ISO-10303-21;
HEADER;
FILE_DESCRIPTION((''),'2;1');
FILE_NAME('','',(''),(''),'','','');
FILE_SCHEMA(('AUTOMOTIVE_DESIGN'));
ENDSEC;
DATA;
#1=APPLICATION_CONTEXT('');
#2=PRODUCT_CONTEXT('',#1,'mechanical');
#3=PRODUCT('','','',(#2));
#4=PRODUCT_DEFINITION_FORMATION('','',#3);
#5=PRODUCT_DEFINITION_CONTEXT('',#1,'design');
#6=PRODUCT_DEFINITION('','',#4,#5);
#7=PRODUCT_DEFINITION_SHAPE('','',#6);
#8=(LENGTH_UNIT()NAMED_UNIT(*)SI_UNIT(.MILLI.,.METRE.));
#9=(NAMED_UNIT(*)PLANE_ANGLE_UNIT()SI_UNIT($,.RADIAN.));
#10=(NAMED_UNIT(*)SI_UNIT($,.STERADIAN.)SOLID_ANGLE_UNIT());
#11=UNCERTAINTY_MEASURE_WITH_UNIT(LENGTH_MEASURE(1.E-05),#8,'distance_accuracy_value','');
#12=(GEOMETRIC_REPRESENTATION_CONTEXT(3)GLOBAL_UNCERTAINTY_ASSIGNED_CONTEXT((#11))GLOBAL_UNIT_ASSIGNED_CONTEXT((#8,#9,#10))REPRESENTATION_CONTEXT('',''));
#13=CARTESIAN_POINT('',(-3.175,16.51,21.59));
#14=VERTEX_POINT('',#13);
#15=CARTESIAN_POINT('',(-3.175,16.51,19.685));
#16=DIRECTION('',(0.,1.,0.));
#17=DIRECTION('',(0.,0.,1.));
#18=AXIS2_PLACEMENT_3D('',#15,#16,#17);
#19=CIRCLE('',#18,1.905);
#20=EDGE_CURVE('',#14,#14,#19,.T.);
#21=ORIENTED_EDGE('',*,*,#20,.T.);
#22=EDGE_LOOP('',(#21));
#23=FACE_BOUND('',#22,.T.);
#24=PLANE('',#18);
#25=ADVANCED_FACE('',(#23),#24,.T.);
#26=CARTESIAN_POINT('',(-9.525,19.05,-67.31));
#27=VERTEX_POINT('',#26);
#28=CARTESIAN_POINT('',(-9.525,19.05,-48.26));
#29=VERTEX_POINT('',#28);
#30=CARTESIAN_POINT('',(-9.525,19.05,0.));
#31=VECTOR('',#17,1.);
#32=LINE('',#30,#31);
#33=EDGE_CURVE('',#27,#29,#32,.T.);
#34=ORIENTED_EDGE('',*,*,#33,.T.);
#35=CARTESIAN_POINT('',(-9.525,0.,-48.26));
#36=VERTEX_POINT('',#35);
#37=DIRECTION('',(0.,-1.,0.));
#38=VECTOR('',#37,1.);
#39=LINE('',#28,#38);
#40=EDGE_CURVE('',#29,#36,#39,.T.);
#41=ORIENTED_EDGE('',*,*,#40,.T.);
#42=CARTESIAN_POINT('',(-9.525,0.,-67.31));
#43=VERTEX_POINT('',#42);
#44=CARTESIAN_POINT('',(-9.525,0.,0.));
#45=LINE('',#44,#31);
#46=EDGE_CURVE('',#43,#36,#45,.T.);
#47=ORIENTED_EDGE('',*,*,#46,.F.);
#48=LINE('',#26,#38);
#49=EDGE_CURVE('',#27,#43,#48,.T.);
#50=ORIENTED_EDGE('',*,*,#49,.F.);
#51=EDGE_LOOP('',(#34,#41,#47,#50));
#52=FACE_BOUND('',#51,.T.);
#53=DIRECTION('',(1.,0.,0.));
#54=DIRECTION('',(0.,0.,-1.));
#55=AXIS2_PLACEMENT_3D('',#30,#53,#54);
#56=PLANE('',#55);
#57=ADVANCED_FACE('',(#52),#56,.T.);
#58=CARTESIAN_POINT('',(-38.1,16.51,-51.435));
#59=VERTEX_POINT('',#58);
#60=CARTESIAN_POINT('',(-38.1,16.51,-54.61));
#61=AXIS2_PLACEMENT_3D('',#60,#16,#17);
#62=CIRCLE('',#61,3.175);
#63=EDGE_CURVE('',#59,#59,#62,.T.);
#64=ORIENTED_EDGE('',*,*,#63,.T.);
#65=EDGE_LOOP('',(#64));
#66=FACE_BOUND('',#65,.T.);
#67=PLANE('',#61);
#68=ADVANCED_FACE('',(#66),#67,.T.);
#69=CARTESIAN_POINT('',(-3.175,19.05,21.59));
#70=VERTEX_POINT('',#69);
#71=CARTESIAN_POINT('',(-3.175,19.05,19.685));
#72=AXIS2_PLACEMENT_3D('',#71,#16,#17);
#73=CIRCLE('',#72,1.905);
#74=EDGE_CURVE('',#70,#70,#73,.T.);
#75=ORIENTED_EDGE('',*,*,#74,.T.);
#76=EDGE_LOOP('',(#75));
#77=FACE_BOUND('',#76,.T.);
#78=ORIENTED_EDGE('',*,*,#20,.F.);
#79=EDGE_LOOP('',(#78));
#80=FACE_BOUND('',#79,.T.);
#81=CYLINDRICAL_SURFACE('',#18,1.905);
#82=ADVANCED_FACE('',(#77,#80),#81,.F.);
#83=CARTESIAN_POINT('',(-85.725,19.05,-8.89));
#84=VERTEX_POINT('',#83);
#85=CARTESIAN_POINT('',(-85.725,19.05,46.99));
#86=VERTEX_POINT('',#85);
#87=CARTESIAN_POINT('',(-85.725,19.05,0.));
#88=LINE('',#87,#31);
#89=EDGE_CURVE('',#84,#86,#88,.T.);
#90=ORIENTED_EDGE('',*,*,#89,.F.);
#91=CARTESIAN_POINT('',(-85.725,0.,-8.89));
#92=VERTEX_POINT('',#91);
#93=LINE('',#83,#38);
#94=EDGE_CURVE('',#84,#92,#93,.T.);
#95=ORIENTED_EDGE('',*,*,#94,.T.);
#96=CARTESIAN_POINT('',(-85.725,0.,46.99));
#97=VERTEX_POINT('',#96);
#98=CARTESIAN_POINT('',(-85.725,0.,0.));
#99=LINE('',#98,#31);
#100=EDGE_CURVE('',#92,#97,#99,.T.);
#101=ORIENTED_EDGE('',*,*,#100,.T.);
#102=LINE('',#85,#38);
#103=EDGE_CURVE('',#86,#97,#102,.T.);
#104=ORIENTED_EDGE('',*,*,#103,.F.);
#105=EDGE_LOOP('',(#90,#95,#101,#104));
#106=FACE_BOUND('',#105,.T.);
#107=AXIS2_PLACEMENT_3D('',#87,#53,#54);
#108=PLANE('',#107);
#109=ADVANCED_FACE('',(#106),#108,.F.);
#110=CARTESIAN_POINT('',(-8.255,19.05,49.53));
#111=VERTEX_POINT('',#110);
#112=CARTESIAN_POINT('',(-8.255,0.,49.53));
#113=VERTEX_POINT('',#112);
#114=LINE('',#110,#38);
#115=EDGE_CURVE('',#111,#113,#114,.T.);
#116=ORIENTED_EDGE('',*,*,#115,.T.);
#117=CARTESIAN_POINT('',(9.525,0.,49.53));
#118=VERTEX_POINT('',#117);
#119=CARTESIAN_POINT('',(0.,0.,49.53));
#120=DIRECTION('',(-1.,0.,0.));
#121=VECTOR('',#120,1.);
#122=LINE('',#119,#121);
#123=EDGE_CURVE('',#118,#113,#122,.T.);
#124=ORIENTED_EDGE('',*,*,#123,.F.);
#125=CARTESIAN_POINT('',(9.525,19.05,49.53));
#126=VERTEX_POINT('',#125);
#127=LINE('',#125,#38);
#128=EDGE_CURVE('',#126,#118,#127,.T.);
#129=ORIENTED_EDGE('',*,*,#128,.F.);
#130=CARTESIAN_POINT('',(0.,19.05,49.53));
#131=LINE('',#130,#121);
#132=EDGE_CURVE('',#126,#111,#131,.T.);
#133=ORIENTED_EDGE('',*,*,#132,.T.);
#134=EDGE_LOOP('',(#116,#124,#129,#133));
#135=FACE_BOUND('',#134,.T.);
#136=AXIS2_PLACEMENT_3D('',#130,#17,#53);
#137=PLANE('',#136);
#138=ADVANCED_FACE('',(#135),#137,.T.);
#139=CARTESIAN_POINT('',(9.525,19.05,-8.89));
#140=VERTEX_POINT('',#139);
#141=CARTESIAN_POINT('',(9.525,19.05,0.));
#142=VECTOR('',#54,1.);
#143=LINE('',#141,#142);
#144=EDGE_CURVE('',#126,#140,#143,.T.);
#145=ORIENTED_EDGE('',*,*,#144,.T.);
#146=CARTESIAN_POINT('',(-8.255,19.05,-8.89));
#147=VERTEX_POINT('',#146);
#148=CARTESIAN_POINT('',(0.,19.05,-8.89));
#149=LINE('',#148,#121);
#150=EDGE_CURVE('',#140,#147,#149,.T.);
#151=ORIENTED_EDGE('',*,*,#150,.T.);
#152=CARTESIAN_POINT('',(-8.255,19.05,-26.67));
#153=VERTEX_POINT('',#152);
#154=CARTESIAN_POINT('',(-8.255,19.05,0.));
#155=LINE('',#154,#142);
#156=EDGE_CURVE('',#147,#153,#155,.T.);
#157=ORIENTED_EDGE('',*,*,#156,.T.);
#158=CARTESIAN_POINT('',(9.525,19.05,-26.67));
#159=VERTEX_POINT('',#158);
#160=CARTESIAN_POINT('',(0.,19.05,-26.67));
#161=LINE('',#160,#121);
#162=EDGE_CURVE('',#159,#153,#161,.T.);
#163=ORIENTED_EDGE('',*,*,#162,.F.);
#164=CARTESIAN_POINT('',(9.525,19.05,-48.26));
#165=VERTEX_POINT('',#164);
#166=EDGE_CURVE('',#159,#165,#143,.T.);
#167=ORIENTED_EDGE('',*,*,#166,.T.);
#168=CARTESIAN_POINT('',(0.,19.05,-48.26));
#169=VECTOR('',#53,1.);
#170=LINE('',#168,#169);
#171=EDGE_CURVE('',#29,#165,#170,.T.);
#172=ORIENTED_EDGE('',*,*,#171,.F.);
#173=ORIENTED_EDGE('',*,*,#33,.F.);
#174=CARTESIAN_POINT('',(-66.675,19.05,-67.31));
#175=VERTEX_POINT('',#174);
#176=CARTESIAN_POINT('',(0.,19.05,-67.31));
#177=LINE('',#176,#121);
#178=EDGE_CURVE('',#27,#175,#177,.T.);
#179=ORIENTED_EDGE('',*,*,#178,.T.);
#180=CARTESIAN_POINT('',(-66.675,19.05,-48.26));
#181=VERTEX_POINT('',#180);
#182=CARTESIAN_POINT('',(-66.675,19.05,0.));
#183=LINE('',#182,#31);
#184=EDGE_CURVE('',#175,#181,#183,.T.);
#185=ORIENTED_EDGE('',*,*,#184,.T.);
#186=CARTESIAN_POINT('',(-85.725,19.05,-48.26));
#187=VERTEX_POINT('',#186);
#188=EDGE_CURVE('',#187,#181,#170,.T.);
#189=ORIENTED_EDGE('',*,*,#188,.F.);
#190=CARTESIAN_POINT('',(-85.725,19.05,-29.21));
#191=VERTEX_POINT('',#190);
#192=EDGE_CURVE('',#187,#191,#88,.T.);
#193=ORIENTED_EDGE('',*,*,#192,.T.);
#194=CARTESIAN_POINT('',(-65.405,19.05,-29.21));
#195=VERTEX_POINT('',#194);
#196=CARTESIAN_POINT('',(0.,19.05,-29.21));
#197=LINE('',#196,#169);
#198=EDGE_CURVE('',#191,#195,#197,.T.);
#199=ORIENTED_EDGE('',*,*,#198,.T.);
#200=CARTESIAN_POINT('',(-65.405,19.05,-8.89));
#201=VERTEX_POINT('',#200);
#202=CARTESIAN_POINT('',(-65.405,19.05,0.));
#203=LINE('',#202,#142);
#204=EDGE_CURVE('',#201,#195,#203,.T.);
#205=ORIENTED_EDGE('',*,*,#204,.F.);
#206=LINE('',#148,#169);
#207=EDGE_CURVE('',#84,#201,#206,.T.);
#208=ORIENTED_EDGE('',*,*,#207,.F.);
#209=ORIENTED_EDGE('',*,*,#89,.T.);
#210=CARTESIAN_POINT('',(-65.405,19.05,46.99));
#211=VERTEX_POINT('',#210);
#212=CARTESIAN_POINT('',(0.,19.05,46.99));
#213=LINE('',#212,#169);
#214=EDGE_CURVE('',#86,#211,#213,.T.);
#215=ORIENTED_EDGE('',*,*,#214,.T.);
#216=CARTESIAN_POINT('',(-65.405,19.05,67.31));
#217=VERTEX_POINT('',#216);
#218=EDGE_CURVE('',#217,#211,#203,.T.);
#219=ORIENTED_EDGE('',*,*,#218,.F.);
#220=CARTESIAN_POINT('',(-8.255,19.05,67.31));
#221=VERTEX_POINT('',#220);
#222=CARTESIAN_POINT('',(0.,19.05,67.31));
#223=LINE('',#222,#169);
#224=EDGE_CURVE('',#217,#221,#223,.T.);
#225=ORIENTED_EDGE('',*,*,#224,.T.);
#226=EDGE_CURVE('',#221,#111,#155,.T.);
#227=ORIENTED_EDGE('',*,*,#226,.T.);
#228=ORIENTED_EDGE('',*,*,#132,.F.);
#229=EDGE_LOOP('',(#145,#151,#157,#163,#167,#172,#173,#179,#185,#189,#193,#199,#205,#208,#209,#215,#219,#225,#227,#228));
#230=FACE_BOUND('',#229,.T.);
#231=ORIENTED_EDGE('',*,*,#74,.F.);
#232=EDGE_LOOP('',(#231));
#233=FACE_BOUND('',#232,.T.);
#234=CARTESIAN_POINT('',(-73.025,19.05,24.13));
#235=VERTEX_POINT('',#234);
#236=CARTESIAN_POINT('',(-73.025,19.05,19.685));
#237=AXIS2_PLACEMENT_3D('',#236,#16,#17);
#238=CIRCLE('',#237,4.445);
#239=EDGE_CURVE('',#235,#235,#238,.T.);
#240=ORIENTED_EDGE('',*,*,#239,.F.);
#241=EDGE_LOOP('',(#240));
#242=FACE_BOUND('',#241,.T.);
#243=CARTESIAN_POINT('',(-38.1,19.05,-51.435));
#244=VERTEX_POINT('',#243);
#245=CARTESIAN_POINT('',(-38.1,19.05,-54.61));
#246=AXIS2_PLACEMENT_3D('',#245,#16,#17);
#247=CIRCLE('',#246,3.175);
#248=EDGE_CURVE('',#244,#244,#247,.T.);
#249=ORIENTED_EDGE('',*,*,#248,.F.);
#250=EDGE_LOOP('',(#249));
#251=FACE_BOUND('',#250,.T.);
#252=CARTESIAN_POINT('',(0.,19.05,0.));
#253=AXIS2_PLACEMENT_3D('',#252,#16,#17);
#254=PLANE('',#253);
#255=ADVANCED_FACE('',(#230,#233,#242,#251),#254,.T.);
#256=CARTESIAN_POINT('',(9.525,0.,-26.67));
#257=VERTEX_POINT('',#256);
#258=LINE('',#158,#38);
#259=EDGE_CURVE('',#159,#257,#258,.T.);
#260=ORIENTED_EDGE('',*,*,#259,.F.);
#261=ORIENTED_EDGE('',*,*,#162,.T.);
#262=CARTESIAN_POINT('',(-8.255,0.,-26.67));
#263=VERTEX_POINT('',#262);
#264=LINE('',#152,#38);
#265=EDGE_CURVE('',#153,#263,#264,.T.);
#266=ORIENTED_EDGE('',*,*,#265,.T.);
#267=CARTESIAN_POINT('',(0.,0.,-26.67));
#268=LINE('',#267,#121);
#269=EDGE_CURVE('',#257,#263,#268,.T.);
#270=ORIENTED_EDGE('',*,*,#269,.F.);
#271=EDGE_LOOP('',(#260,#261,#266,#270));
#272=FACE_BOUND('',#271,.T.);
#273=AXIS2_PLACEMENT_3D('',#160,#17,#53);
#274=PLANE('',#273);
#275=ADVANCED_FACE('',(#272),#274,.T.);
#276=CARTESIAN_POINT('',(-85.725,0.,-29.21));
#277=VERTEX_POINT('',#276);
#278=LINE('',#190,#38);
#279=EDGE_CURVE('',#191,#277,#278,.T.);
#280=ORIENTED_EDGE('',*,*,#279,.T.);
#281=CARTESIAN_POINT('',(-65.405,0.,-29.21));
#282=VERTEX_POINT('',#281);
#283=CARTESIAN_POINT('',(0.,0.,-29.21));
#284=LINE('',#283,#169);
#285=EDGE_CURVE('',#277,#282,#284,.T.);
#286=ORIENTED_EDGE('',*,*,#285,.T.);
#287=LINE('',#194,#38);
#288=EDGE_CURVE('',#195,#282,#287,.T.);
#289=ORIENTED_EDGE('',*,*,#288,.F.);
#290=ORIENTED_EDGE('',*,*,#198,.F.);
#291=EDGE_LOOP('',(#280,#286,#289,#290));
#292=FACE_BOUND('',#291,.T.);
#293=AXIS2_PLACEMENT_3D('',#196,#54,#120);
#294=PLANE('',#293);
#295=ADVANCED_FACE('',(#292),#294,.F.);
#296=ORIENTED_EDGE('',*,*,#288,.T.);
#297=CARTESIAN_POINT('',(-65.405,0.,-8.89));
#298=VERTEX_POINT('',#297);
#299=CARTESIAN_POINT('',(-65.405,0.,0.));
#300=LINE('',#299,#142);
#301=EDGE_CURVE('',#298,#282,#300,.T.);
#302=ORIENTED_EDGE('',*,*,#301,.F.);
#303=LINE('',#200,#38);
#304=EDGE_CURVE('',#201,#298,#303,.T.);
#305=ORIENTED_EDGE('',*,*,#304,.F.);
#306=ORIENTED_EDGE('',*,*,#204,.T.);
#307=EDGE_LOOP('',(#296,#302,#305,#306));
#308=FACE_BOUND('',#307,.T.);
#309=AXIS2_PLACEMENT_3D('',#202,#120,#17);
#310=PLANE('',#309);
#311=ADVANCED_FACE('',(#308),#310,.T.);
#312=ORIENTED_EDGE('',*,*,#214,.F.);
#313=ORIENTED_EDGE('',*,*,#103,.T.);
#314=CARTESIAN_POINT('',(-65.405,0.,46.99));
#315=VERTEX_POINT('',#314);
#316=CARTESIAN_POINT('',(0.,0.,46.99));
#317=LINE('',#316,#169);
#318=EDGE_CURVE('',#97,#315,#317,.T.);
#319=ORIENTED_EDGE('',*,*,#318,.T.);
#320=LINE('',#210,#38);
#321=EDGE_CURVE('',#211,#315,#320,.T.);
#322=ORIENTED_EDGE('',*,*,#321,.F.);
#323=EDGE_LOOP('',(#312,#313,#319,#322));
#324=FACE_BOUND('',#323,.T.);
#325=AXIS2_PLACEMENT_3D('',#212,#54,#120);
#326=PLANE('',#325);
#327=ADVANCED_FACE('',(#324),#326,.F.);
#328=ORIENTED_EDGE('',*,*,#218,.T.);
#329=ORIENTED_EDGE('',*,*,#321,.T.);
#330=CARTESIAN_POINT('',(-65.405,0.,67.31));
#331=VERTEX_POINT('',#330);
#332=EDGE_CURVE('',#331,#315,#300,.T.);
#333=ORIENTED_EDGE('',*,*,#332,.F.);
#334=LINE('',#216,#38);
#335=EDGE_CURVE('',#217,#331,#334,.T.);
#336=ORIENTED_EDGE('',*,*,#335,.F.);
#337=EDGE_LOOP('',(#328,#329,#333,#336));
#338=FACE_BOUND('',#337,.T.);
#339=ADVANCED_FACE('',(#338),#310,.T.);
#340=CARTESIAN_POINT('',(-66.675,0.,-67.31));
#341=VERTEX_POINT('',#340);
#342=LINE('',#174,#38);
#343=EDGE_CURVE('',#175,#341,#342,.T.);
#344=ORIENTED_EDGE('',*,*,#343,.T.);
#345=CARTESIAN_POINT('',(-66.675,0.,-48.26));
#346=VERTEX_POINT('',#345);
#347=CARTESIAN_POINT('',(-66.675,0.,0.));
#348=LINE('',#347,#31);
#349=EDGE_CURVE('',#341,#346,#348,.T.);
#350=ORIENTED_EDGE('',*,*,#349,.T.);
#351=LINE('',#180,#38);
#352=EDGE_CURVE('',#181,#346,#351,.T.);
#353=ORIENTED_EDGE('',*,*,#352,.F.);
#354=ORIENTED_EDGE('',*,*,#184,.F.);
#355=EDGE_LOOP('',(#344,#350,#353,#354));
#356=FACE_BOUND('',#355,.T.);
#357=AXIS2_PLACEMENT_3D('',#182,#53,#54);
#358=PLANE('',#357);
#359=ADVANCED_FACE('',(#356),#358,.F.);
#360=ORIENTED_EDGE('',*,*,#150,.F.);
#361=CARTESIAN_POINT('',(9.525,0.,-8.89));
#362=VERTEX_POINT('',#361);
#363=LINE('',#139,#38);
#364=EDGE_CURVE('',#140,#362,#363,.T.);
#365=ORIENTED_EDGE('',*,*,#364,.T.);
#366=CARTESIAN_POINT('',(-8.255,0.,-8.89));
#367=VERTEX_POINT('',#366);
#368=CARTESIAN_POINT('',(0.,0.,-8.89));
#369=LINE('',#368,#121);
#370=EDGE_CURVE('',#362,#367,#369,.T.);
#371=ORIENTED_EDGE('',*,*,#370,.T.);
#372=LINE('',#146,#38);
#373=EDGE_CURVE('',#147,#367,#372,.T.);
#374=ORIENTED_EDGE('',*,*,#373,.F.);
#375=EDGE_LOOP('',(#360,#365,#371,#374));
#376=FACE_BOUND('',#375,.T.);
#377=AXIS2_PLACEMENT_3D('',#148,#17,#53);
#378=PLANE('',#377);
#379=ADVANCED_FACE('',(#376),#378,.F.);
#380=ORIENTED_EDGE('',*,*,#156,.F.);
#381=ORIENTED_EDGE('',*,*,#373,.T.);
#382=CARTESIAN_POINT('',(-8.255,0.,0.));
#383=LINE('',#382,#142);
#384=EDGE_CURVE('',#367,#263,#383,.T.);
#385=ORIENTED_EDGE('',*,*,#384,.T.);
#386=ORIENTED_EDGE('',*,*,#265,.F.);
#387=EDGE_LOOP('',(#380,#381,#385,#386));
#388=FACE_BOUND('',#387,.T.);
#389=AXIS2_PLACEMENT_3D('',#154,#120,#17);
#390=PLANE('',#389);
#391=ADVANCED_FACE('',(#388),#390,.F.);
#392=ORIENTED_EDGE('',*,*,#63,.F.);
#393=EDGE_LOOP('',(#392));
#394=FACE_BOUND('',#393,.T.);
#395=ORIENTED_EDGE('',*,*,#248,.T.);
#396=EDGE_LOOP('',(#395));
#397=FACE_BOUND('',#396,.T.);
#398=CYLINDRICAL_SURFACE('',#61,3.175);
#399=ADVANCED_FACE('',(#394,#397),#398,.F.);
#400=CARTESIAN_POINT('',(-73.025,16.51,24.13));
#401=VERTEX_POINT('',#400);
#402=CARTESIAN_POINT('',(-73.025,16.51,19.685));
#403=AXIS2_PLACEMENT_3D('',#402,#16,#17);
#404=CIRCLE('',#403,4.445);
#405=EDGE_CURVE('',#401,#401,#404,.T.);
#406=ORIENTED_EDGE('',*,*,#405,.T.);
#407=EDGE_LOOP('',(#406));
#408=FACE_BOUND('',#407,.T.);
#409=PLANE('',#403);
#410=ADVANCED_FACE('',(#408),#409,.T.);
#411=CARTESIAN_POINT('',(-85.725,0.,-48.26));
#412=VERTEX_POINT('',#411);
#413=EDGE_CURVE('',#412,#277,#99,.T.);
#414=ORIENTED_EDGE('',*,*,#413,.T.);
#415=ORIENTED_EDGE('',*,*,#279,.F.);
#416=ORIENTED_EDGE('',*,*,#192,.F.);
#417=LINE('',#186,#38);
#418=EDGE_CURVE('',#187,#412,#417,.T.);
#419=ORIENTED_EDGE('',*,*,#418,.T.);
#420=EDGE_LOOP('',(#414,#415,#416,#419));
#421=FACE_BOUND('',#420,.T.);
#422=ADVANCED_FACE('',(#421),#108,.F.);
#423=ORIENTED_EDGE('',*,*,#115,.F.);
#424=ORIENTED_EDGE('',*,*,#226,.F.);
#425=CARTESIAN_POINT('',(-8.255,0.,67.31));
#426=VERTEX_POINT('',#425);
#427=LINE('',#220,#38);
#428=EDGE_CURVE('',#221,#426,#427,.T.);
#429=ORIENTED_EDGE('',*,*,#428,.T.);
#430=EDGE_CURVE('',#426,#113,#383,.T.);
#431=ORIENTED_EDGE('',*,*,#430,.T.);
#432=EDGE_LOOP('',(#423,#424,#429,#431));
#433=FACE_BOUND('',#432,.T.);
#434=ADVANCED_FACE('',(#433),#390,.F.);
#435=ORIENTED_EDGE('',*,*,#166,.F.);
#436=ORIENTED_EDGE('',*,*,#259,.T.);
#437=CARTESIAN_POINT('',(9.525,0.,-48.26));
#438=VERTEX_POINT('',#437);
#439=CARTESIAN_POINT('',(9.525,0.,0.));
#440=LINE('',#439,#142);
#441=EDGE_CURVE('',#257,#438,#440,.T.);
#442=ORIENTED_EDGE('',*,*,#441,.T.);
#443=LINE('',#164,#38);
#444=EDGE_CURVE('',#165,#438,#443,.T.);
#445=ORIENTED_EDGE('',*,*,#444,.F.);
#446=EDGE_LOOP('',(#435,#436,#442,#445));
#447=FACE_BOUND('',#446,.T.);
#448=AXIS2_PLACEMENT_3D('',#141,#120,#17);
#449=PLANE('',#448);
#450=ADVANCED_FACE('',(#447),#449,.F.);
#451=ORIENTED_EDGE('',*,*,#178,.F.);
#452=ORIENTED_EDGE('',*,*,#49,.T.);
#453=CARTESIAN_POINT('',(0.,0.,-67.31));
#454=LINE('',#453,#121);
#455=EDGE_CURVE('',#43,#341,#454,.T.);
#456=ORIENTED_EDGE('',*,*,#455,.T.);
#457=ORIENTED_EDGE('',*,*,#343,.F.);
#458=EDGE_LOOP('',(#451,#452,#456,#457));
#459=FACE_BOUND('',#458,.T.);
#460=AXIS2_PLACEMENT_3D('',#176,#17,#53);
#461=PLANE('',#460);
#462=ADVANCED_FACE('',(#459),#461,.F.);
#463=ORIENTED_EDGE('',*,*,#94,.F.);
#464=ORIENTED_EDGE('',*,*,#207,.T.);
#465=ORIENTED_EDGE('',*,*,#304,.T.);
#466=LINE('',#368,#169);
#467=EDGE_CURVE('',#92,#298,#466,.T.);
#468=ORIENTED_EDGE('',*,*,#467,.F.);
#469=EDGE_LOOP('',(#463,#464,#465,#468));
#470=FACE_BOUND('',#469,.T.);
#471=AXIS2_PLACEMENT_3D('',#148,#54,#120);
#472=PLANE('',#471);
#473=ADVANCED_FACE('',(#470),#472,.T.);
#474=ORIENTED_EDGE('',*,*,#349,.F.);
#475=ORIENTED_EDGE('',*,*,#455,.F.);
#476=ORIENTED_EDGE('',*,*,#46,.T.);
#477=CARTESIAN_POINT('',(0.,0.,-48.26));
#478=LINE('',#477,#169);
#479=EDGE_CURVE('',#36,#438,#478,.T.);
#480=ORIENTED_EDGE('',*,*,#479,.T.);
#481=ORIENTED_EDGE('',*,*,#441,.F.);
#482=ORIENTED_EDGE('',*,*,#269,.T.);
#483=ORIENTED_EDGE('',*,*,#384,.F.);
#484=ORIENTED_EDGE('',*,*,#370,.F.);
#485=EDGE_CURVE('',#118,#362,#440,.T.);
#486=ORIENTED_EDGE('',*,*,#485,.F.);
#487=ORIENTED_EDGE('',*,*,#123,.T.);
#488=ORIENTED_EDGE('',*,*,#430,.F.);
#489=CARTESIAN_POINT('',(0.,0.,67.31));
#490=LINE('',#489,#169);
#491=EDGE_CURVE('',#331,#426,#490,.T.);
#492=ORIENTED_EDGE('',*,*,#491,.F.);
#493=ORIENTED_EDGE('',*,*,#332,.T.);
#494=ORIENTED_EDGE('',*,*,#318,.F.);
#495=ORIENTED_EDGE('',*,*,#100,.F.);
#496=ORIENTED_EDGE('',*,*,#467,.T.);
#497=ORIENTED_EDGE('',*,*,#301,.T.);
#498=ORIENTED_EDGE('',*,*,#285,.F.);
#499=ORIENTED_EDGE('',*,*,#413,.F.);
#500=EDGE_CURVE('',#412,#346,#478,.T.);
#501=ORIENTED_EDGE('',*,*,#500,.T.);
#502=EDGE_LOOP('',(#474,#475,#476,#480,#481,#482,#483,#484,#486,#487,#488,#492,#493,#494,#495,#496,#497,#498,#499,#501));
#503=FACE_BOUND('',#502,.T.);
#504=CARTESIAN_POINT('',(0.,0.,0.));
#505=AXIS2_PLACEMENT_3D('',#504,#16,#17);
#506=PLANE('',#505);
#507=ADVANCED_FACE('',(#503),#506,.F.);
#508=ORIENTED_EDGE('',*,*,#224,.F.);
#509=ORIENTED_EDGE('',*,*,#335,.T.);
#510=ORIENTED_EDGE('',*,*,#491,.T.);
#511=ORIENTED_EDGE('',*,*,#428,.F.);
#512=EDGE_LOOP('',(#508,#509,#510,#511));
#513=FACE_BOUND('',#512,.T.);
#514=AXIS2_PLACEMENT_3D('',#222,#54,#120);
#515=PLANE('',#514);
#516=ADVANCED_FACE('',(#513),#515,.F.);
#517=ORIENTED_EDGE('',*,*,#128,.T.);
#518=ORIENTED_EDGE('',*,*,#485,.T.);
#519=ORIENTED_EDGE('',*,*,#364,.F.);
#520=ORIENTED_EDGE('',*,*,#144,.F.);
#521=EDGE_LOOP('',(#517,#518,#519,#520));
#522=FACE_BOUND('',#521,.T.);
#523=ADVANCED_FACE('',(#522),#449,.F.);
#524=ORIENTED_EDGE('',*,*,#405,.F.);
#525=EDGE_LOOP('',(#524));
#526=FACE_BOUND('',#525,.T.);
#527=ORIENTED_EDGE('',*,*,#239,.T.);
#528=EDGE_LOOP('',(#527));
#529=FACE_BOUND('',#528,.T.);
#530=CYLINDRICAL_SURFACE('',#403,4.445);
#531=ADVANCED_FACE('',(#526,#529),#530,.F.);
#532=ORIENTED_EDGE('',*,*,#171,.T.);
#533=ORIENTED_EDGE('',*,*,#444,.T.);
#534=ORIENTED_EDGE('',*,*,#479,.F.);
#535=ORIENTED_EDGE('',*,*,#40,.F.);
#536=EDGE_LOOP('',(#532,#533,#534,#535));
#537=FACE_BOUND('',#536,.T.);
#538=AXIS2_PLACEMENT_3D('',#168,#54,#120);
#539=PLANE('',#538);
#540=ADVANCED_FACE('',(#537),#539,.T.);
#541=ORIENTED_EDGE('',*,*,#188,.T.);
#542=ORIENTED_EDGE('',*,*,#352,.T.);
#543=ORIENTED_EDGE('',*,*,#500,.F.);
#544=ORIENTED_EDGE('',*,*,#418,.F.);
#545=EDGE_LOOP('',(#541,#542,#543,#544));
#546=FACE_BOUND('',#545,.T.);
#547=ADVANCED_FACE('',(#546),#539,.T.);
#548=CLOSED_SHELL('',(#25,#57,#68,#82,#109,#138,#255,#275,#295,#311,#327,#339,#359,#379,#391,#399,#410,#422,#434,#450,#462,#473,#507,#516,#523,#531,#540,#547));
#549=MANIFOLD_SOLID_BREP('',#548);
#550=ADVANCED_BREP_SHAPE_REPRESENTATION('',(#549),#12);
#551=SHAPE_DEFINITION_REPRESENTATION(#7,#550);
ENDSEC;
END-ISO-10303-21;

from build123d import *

# Parameters (mm, degrees)
BOSS_EXTRUDE1_DEPTH = 19.05
SKETCH2_R           = 1.905
SKETCH2_R_2         = 4.445
SKETCH2_R_3         = 3.175
CUT_EXTRUDE1_DEPTH  = 2.54


with BuildPart() as part:
    # Sketch1 → Boss-Extrude1 (new body)
    with BuildSketch(Plane(origin=(0, 0, 0), x_dir=(1, 0, 0), z_dir=(0, 1, 0))):
        Polygon((-9.525, 48.26), (-9.525, 67.31), (-66.675, 67.31), (-66.675, 48.26), (-85.725, 48.26), (-85.725, 29.21), (-65.405, 29.21), (-65.405, 8.89), (-85.725, 8.89), (-85.725, -46.99), (-65.405, -46.99), (-65.405, -67.31), (-8.255, -67.31), (-8.255, -49.53), (9.525, -49.53), (9.525, 8.89), (-8.255, 8.89), (-8.255, 26.67), (9.525, 26.67), (9.525, 48.26), align=None)
    extrude(amount=BOSS_EXTRUDE1_DEPTH)

    # Sketch2 → Cut-Extrude1 (cut)
    with BuildSketch(Plane(origin=(0, 19.05, 0), x_dir=(1, 0, 0), z_dir=(0, 1, 0))):
        with Locations(Location((-3.175, -19.685, 0), (0, 0, 270))):
            Circle(SKETCH2_R)
        with Locations(Location((-73.025, -19.685, 0), (0, 0, 270))):
            Circle(SKETCH2_R_2)
        with Locations(Location((-38.1, 54.61, 0), (0, 0, 270))):
            Circle(SKETCH2_R_3)
    extrude(amount=-CUT_EXTRUDE1_DEPTH, mode=Mode.SUBTRACT)


solid = part.part
